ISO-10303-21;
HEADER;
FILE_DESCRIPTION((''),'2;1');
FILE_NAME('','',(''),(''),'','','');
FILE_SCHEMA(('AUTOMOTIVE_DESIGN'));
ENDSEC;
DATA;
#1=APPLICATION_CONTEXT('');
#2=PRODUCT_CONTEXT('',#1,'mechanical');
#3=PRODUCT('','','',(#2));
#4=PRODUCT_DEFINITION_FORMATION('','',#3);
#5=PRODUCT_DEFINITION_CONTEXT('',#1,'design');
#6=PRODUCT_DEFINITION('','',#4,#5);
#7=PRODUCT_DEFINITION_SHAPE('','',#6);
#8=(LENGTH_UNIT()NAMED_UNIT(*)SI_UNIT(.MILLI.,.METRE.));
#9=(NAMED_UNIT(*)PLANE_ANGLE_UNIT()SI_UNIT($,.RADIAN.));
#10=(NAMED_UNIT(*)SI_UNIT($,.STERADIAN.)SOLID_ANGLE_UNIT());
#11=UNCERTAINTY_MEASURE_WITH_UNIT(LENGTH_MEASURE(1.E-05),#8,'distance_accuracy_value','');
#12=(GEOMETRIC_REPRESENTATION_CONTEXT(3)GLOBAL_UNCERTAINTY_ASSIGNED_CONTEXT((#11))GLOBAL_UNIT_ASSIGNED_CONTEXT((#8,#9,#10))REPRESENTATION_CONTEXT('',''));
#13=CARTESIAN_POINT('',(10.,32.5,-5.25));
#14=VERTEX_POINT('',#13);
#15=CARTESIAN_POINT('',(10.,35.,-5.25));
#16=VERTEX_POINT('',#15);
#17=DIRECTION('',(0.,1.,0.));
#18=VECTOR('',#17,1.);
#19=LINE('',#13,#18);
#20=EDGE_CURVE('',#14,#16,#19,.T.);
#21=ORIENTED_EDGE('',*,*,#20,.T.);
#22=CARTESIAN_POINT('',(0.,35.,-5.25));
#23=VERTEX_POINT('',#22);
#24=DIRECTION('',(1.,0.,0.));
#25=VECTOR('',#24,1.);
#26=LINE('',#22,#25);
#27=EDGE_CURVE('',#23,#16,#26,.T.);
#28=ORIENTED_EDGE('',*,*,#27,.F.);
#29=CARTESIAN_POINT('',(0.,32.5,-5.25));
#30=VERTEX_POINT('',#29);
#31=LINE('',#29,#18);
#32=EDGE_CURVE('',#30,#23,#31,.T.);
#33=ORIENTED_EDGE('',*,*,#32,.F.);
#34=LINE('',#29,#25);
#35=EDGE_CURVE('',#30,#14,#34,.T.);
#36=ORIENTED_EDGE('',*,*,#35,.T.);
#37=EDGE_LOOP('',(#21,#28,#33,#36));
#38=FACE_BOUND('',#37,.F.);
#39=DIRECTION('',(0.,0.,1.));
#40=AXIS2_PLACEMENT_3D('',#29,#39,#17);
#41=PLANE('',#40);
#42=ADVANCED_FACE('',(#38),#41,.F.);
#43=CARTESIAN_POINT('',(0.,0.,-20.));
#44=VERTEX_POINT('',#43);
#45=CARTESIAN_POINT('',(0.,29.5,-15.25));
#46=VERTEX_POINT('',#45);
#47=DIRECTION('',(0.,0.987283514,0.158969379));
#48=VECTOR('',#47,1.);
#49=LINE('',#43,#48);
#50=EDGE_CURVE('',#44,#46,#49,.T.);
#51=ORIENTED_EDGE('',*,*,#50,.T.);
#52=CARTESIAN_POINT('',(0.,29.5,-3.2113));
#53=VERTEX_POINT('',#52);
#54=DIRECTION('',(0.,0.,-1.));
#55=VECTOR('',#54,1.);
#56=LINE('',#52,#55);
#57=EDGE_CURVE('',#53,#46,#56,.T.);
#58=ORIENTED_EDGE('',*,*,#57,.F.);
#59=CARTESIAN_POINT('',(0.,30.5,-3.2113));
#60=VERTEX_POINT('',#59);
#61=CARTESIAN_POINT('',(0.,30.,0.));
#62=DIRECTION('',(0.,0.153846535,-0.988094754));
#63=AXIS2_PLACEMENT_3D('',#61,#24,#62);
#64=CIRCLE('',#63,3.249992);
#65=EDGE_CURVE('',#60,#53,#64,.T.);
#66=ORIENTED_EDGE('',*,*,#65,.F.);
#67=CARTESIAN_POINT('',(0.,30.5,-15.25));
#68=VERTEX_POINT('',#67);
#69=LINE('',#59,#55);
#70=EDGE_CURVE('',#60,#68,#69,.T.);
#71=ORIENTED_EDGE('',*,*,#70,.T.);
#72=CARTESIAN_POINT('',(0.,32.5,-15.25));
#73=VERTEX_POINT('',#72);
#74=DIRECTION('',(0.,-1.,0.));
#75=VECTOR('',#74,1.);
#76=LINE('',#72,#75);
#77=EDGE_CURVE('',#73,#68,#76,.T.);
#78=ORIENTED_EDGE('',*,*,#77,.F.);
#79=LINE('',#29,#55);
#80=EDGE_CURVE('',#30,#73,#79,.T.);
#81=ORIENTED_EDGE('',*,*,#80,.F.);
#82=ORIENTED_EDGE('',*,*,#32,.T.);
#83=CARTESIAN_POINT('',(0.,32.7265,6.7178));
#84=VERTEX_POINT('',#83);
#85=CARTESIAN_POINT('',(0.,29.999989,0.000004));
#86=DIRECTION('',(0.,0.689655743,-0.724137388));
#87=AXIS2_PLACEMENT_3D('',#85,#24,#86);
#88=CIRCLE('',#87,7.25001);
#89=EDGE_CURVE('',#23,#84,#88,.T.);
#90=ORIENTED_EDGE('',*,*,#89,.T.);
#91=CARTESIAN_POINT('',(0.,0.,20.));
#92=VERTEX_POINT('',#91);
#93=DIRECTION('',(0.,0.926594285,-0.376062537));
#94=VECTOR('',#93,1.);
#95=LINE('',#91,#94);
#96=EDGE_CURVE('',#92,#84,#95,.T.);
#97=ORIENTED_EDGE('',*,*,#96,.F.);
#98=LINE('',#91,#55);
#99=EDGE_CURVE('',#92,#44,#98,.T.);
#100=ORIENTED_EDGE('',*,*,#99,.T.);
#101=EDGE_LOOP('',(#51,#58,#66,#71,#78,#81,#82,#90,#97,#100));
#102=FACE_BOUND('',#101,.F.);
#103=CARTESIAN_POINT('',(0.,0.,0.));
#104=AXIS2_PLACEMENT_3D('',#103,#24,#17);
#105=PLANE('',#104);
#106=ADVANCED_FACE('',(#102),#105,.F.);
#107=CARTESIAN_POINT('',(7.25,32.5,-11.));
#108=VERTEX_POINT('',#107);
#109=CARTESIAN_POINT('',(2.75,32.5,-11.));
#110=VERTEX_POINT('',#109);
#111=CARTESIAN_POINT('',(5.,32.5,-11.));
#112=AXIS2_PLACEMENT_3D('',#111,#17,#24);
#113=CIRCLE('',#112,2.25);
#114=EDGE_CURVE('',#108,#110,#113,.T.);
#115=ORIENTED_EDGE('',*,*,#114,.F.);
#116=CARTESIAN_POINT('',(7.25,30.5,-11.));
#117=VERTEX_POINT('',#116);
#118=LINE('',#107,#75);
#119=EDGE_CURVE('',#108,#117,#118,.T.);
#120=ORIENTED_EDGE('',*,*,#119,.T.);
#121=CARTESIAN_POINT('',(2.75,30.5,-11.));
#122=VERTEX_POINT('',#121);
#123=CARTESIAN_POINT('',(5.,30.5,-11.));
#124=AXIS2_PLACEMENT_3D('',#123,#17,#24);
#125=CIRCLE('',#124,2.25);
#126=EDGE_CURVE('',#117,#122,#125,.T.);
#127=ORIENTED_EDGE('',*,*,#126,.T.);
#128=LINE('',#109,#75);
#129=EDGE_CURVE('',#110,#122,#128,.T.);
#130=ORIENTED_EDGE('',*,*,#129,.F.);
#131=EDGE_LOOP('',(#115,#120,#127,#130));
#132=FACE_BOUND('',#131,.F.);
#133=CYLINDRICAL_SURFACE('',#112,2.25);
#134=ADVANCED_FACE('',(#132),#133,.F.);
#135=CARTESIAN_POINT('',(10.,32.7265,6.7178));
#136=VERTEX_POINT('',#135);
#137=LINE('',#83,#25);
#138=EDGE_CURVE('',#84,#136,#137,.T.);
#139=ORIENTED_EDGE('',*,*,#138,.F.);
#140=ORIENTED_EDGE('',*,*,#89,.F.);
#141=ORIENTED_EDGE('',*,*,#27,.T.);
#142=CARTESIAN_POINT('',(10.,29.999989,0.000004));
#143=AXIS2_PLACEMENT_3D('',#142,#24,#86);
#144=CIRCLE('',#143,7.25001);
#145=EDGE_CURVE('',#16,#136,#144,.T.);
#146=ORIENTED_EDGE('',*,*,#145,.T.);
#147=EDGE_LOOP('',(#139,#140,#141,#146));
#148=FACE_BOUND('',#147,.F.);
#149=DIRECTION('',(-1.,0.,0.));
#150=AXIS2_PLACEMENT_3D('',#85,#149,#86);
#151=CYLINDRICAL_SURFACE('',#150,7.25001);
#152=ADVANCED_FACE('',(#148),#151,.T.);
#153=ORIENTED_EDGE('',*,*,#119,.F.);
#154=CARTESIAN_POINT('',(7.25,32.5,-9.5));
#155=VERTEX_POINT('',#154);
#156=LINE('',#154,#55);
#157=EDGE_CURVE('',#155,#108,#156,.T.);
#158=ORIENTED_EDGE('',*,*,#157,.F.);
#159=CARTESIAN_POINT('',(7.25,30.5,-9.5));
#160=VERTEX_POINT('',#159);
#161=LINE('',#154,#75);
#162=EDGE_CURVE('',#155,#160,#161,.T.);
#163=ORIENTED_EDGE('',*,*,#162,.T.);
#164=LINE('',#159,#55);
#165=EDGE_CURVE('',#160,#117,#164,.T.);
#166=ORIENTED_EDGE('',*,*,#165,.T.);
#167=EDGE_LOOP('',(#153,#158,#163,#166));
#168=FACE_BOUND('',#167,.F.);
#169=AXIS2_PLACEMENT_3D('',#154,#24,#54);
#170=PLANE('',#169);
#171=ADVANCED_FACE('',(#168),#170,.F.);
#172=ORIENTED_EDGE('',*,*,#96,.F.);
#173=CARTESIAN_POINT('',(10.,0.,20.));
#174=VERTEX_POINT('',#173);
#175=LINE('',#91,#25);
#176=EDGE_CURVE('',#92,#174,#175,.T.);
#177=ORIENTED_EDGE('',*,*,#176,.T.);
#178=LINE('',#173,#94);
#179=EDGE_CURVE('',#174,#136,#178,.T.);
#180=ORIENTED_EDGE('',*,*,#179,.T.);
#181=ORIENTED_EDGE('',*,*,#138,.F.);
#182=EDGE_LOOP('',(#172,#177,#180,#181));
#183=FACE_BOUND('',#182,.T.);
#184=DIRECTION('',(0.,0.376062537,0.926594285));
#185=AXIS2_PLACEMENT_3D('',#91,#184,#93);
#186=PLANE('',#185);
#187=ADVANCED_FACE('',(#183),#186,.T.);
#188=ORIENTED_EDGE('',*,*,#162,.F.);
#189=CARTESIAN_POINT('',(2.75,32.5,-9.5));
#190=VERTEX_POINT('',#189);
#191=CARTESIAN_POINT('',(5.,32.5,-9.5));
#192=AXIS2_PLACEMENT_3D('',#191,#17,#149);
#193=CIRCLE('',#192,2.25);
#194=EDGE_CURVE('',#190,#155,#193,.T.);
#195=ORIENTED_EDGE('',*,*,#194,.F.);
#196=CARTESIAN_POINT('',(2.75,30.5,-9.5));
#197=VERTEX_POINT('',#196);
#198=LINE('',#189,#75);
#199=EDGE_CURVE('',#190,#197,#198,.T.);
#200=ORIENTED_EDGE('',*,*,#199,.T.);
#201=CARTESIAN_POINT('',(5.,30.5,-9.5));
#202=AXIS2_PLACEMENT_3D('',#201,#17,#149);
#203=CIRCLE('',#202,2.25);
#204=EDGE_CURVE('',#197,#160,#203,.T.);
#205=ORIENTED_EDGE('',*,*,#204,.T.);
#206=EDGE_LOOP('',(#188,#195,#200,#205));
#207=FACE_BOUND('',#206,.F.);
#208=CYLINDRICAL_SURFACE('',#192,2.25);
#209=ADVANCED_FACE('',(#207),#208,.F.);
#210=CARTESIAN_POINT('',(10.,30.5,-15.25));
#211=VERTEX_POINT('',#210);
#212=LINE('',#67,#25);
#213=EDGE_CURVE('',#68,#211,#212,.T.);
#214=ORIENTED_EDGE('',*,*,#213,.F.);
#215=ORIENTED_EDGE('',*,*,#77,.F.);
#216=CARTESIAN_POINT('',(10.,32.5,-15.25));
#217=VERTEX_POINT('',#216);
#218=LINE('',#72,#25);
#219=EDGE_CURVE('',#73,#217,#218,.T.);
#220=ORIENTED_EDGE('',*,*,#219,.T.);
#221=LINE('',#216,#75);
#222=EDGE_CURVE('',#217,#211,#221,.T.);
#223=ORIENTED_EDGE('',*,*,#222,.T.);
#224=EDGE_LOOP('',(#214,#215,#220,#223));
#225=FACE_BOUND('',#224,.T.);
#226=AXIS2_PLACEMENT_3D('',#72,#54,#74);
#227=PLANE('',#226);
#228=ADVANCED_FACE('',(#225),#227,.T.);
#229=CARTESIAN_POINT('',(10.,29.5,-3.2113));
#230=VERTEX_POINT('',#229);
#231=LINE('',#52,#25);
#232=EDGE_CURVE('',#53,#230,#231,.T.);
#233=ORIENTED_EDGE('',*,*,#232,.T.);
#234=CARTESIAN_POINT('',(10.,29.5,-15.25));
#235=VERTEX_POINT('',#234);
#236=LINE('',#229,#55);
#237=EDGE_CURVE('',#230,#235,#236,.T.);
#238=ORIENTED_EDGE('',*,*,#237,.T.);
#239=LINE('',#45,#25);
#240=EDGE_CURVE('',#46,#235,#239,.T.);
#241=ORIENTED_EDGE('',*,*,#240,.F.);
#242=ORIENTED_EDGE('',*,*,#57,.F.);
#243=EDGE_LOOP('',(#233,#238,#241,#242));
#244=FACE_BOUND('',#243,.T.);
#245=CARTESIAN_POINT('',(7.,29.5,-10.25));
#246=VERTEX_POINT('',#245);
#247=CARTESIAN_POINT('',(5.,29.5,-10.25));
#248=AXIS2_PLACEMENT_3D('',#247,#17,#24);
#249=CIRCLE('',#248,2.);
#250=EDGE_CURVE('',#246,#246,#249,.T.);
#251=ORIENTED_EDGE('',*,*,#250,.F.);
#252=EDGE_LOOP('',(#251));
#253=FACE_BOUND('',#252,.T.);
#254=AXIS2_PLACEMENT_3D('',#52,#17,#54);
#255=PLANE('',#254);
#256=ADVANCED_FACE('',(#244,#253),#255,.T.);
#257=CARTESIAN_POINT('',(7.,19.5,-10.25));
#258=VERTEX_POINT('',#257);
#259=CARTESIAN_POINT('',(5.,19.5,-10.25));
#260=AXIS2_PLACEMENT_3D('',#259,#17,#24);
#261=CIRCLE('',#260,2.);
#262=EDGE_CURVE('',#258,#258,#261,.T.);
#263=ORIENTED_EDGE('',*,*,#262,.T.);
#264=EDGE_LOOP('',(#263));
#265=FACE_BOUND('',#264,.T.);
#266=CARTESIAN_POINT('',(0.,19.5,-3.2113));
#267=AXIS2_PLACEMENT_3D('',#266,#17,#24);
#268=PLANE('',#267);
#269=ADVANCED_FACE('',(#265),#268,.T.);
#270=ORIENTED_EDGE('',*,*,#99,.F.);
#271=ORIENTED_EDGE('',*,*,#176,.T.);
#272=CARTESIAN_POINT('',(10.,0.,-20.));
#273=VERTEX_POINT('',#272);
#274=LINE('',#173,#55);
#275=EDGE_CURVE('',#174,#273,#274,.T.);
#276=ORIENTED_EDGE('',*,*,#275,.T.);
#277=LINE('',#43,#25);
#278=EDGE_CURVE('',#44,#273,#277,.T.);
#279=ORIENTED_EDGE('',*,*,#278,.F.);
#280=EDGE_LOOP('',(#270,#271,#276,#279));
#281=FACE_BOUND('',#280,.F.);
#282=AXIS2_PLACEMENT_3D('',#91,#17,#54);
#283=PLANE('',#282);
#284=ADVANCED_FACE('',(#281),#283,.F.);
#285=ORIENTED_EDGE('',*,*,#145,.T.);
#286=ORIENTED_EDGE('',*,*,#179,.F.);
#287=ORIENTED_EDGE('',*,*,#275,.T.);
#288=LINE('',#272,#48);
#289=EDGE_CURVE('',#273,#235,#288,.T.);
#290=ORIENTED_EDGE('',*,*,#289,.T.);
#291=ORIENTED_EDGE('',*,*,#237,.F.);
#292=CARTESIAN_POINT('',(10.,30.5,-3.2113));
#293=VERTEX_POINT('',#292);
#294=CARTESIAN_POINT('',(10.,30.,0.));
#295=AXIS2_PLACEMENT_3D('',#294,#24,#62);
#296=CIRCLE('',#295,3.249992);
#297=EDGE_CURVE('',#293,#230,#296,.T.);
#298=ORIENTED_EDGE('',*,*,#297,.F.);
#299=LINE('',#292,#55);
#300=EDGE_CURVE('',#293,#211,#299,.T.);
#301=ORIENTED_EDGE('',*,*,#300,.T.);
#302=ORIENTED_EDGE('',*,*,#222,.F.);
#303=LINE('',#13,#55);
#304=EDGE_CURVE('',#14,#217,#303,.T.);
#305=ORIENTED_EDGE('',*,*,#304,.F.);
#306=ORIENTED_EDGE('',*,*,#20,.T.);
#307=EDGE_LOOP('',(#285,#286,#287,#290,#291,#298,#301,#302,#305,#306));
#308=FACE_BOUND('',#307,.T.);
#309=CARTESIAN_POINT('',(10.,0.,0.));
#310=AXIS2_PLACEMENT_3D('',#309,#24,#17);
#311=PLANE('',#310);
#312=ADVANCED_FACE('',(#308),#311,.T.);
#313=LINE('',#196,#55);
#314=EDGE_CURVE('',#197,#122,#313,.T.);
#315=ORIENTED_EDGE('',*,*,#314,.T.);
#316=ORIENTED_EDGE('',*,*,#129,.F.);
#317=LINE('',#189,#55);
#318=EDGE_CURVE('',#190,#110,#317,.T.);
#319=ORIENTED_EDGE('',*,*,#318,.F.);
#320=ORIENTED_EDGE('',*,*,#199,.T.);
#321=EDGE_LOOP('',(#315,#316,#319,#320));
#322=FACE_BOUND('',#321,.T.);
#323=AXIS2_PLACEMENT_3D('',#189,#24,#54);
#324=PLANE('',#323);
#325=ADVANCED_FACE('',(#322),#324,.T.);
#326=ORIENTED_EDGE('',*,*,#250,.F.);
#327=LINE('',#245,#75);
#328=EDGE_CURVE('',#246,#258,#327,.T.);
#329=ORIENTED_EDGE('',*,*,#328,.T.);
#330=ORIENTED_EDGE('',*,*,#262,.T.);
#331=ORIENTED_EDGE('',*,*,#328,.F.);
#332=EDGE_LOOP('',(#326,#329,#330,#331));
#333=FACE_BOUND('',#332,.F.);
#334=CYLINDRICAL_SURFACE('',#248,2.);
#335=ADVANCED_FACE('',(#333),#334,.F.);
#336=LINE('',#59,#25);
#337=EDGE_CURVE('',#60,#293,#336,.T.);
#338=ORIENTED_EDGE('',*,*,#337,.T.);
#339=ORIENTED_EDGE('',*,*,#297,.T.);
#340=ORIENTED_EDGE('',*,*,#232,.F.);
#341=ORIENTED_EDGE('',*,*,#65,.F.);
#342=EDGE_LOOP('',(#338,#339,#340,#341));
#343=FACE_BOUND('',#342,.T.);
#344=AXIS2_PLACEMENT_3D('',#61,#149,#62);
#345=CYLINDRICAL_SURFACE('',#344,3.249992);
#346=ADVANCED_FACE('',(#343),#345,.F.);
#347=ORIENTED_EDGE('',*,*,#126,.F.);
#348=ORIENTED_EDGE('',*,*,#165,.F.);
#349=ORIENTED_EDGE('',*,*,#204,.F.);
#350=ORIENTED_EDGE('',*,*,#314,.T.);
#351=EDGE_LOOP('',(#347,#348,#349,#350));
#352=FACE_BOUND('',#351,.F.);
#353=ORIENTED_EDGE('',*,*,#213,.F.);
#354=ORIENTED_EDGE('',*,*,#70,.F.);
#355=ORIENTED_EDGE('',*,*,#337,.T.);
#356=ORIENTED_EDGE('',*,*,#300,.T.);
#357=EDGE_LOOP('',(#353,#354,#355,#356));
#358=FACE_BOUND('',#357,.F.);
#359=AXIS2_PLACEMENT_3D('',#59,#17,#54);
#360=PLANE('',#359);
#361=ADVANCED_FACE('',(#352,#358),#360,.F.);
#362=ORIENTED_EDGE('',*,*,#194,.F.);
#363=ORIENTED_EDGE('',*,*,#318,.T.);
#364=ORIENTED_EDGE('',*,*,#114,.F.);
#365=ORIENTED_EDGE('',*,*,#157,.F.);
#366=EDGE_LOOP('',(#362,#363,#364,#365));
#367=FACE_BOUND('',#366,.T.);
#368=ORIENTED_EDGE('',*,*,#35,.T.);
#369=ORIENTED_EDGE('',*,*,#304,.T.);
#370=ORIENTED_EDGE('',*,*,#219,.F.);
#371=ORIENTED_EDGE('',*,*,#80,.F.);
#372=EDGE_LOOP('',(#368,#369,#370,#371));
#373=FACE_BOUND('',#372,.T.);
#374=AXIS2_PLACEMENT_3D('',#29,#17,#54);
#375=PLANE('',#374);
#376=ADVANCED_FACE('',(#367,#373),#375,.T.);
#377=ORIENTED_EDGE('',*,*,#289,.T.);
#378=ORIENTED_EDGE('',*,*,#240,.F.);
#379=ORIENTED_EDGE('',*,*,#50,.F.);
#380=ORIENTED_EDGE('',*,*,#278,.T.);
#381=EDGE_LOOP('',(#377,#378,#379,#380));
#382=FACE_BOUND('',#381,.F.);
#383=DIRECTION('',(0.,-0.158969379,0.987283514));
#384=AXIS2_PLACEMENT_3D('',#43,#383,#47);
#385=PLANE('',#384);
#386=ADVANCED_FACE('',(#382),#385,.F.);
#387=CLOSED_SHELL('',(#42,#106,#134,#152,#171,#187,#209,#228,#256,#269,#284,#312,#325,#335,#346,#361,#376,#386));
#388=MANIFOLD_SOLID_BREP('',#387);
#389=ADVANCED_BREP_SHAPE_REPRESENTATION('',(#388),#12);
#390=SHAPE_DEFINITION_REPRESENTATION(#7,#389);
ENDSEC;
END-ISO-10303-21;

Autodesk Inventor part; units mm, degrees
ref_plane "YZ Plane" through (0, 0, 0) normal (1, 0, 0) x (0, 1, 0)
ref_plane "XZ Plane" through (0, 0, 0) normal (0, 1, 0) x (-1, 0, 0)
ref_plane "XY Plane" through (0, 0, 0) normal (0, 0, 1) x (1, 0, 0)
sketch "Sketch1" plane through (0, 0, 0) normal (1, 0, 0) x (0, 1, 0)
  arc A0 (30.5, -3.2113) -> (29.5, -3.2113) centre (30, 0) ccw
  arc A1 (35, -5.25) -> (32.7265, 6.7178) centre (30, 0) ccw
  line L0 (0, 0) -> (50.3094, 0) construction
  line L1 (0, 20) -> (0, -20)
  line L2 (0, 20) -> (32.7265, 6.7178)
  line L3 (30, 0) -> (30, -135) construction
  line L4 (30.5, -3.2113) -> (30.5, -15.25)
  line L5 (32.5, -5.25) -> (32.5, -15.25)
  line L6 (32.5, -5.25) -> (35, -5.25)
  line L7 (32.5, -15.25) -> (30.5, -15.25)
  line L8 (29.5, -3.2113) -> (29.5, -15.25)
  line L9 (0, -20) -> (29.5, -15.25)
  point P0 (30, -3.25)
  dimension "d1" = 6.5
  dimension "d2" = 30
  dimension "d3" = 14.5
  dimension "d4" = 40
  dimension "d17" = 0.5
  dimension "d18" = 10
  dimension "d19" = 2
  dimension "d20" = 2
  dimension "d21" = 1
  dimension "d24" = 20
extrude "Extrusion1" add sketch "Sketch1" along normal blind 10
sketch "Sketch2" plane through (0, 32.5, -5.25) normal (0, 1, 0) x (1, 0, 0)
  line L0 (5, -5.25) -> (5, 25.2229) construction
  line L1 (0, 10) -> (0, 0) construction
  arc A0 (2.75, 4.25) -> (7.25, 4.25) centre (5, 4.25) ccw
  arc A1 (7.25, 5.75) -> (2.75, 5.75) centre (5, 5.75) ccw
  line L2 (2.75, 4.25) -> (2.75, 5.75)
  line L3 (7.25, 4.25) -> (7.25, 5.75)
  line L4 (0, 10) -> (10, 10) projected
  line L5 (0, 10) -> (0, 0) projected
  line L6 (0, 0) -> (10, 0) projected
  line L7 (10, 10) -> (10, 0) projected
  line L8 (0, 10) -> (10, 10) projected
  point P0 (0, -5.25)
  dimension "d27" = 5
  dimension "d28" = 4.5
  dimension "d29" = 4.5
  dimension "d30" = 1.5
  dimension "d31" = 4.25
extrude "Extrusion2" cut sketch "Sketch2" against normal up to surface (2 mm away) contours L2 A1 L3 A0
sketch "Sketch3" plane through (0, 29.5, -3.2113) normal (0, 1, 0) x (1, 0, 0)
  line L0 (2.75, 6.2887) -> (2.75, 7.7887) projected
  arc A0 (7.25, 7.7887) -> (2.75, 7.7887) centre (5, 7.7887) ccw projected
  line L1 (7.25, 7.7887) -> (7.25, 6.2887) projected
  arc A1 (2.75, 6.2887) -> (7.25, 6.2887) centre (5, 6.2887) ccw projected
  line L2 (0, 12.0387) -> (0, 2.0387) projected
  line L3 (0, 2.0387) -> (10, 2.0387) projected
  line L4 (10, 12.0387) -> (10, 2.0387) projected
  line L5 (0, 12.0387) -> (10, 12.0387) projected
  circle A2 centre (5, 7.0387) radius 2
  line L6 (5, 6.2887) -> (5, 7.7887)
  point P0 (0, -3.2113)
  dimension "d34" = 4
  dimension "d35" = 1.5
  dimension "d36" = 0.75
extrude "Extrusion3" cut sketch "Sketch3" against normal blind 10 contours A2
equation "\"d17\" = 0.5 * d21"
equation "\"d24\" = 0.5 * d4"
equation "\"d36\" = 0.5 * d35"
properties part number "mocowanie walka"
